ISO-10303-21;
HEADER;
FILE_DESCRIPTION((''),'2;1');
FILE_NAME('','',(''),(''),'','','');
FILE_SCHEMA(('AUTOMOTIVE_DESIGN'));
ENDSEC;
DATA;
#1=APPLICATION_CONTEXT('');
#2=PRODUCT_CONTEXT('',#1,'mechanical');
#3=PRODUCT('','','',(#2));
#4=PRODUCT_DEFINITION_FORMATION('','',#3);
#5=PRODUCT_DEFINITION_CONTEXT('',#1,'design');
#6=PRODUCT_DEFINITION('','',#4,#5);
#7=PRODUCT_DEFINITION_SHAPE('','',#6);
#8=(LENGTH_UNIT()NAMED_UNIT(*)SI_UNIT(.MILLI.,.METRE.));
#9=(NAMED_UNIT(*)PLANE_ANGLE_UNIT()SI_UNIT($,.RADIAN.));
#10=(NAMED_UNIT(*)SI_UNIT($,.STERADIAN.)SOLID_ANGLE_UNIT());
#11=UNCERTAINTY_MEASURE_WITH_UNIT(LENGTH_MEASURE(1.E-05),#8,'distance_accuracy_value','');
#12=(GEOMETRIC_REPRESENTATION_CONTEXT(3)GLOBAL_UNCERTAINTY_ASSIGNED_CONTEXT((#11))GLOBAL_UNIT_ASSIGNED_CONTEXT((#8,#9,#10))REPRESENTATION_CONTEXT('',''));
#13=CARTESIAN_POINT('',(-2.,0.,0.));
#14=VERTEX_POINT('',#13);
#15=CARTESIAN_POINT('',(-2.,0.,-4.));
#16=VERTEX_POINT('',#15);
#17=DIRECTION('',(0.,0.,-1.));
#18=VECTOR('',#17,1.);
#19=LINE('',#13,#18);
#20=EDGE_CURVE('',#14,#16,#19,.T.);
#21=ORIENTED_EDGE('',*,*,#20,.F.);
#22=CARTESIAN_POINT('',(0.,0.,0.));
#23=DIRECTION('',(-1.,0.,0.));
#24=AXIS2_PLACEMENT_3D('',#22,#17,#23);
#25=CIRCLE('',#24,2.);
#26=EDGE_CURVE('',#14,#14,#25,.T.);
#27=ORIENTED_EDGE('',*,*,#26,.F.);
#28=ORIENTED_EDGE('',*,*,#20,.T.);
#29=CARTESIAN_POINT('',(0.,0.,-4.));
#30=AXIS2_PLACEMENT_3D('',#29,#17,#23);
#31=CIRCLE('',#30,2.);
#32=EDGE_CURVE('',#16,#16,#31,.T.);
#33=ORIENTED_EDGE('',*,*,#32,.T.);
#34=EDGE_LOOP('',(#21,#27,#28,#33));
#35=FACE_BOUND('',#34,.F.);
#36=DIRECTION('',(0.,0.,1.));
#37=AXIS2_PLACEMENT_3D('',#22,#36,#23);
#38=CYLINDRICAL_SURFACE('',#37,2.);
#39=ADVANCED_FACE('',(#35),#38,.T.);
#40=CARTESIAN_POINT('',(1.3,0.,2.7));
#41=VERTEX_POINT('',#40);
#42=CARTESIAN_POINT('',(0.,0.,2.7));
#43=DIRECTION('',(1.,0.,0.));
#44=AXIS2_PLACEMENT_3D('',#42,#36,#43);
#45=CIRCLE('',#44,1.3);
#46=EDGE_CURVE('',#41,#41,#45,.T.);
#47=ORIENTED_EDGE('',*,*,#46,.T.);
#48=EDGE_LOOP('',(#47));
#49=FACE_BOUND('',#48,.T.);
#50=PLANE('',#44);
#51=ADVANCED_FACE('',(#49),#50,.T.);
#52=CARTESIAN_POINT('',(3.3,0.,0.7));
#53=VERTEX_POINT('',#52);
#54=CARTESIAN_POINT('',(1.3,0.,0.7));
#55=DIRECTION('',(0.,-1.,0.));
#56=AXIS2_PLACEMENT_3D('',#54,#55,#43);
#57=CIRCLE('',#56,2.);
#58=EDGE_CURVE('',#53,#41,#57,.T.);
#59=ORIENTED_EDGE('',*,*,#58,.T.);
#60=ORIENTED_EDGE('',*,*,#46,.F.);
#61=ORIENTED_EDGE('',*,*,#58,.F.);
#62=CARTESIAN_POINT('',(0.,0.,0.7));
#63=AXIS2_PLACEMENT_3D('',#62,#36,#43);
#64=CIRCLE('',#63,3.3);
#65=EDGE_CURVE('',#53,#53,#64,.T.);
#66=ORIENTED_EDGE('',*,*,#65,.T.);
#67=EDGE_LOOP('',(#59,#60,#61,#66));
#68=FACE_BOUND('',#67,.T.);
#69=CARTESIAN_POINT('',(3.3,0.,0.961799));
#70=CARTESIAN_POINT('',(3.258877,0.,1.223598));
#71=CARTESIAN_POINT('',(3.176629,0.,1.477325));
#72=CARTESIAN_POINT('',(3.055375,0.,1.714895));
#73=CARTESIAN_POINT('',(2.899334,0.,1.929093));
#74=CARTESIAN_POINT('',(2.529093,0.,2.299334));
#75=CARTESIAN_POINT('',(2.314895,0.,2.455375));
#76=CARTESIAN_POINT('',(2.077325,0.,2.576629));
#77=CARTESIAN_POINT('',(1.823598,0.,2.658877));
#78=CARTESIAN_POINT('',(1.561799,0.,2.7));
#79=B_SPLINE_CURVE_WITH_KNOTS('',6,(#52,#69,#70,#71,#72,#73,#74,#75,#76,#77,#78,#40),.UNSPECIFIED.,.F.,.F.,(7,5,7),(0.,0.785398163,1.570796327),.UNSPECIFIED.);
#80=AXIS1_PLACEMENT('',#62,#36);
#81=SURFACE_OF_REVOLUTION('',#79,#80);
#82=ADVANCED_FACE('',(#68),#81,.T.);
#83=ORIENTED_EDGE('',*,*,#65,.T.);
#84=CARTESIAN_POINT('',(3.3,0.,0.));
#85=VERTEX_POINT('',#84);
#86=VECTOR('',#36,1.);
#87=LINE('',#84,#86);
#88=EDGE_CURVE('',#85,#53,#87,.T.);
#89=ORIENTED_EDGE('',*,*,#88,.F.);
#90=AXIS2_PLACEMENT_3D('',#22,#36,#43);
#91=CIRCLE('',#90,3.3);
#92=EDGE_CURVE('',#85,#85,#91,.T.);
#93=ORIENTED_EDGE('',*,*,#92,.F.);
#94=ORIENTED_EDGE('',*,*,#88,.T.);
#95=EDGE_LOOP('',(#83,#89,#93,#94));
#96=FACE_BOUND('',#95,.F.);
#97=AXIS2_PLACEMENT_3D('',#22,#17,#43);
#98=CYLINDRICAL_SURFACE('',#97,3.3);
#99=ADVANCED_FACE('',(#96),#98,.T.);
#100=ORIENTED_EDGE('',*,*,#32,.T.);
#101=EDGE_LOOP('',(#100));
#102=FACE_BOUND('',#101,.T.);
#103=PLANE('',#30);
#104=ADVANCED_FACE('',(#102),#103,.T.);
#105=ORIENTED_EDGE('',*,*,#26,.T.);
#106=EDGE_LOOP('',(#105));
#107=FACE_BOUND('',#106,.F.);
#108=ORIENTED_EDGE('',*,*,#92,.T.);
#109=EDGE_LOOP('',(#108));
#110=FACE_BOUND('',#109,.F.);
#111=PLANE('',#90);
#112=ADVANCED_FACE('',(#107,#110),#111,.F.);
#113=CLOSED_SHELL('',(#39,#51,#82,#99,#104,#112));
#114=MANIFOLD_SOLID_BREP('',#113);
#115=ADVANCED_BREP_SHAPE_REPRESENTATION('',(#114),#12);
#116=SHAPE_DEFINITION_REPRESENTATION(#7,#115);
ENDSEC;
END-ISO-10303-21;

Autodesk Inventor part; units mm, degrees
ref_plane "YZ Plane" through (0, 0, 0) normal (1, 0, 0) x (0, 1, 0)
ref_plane "XZ Plane" through (0, 0, 0) normal (0, 1, 0) x (-1, 0, 0)
ref_plane "XY Plane" through (0, 0, 0) normal (0, 0, 1) x (1, 0, 0)
sketch "Sketch1" plane through (0, 0, 0) normal (0, 0, 1) x (1, 0, 0)
  circle A0 centre (0, 0) radius 3.3
  dimension "d0" = 6.6
extrude "Extrusion1" add sketch "Sketch1" along normal blind 2.7
fillet "Fillet1" radius 2 1 edges at (-3.3, 0, 2.7)
sketch "Sketch2" plane through (0, 0, 0) normal (0, 0, -1) x (-1, 0, 0)
  circle A0 centre (0, 0) radius 2
  dimension "d4" = 4
extrude "Extrusion2" add sketch "Sketch2" along normal blind 4
thread "Thread1" size "M4x0.7" class "6g" standard "ANSI Metric M Profile" full length
properties part number "round m4x5"
